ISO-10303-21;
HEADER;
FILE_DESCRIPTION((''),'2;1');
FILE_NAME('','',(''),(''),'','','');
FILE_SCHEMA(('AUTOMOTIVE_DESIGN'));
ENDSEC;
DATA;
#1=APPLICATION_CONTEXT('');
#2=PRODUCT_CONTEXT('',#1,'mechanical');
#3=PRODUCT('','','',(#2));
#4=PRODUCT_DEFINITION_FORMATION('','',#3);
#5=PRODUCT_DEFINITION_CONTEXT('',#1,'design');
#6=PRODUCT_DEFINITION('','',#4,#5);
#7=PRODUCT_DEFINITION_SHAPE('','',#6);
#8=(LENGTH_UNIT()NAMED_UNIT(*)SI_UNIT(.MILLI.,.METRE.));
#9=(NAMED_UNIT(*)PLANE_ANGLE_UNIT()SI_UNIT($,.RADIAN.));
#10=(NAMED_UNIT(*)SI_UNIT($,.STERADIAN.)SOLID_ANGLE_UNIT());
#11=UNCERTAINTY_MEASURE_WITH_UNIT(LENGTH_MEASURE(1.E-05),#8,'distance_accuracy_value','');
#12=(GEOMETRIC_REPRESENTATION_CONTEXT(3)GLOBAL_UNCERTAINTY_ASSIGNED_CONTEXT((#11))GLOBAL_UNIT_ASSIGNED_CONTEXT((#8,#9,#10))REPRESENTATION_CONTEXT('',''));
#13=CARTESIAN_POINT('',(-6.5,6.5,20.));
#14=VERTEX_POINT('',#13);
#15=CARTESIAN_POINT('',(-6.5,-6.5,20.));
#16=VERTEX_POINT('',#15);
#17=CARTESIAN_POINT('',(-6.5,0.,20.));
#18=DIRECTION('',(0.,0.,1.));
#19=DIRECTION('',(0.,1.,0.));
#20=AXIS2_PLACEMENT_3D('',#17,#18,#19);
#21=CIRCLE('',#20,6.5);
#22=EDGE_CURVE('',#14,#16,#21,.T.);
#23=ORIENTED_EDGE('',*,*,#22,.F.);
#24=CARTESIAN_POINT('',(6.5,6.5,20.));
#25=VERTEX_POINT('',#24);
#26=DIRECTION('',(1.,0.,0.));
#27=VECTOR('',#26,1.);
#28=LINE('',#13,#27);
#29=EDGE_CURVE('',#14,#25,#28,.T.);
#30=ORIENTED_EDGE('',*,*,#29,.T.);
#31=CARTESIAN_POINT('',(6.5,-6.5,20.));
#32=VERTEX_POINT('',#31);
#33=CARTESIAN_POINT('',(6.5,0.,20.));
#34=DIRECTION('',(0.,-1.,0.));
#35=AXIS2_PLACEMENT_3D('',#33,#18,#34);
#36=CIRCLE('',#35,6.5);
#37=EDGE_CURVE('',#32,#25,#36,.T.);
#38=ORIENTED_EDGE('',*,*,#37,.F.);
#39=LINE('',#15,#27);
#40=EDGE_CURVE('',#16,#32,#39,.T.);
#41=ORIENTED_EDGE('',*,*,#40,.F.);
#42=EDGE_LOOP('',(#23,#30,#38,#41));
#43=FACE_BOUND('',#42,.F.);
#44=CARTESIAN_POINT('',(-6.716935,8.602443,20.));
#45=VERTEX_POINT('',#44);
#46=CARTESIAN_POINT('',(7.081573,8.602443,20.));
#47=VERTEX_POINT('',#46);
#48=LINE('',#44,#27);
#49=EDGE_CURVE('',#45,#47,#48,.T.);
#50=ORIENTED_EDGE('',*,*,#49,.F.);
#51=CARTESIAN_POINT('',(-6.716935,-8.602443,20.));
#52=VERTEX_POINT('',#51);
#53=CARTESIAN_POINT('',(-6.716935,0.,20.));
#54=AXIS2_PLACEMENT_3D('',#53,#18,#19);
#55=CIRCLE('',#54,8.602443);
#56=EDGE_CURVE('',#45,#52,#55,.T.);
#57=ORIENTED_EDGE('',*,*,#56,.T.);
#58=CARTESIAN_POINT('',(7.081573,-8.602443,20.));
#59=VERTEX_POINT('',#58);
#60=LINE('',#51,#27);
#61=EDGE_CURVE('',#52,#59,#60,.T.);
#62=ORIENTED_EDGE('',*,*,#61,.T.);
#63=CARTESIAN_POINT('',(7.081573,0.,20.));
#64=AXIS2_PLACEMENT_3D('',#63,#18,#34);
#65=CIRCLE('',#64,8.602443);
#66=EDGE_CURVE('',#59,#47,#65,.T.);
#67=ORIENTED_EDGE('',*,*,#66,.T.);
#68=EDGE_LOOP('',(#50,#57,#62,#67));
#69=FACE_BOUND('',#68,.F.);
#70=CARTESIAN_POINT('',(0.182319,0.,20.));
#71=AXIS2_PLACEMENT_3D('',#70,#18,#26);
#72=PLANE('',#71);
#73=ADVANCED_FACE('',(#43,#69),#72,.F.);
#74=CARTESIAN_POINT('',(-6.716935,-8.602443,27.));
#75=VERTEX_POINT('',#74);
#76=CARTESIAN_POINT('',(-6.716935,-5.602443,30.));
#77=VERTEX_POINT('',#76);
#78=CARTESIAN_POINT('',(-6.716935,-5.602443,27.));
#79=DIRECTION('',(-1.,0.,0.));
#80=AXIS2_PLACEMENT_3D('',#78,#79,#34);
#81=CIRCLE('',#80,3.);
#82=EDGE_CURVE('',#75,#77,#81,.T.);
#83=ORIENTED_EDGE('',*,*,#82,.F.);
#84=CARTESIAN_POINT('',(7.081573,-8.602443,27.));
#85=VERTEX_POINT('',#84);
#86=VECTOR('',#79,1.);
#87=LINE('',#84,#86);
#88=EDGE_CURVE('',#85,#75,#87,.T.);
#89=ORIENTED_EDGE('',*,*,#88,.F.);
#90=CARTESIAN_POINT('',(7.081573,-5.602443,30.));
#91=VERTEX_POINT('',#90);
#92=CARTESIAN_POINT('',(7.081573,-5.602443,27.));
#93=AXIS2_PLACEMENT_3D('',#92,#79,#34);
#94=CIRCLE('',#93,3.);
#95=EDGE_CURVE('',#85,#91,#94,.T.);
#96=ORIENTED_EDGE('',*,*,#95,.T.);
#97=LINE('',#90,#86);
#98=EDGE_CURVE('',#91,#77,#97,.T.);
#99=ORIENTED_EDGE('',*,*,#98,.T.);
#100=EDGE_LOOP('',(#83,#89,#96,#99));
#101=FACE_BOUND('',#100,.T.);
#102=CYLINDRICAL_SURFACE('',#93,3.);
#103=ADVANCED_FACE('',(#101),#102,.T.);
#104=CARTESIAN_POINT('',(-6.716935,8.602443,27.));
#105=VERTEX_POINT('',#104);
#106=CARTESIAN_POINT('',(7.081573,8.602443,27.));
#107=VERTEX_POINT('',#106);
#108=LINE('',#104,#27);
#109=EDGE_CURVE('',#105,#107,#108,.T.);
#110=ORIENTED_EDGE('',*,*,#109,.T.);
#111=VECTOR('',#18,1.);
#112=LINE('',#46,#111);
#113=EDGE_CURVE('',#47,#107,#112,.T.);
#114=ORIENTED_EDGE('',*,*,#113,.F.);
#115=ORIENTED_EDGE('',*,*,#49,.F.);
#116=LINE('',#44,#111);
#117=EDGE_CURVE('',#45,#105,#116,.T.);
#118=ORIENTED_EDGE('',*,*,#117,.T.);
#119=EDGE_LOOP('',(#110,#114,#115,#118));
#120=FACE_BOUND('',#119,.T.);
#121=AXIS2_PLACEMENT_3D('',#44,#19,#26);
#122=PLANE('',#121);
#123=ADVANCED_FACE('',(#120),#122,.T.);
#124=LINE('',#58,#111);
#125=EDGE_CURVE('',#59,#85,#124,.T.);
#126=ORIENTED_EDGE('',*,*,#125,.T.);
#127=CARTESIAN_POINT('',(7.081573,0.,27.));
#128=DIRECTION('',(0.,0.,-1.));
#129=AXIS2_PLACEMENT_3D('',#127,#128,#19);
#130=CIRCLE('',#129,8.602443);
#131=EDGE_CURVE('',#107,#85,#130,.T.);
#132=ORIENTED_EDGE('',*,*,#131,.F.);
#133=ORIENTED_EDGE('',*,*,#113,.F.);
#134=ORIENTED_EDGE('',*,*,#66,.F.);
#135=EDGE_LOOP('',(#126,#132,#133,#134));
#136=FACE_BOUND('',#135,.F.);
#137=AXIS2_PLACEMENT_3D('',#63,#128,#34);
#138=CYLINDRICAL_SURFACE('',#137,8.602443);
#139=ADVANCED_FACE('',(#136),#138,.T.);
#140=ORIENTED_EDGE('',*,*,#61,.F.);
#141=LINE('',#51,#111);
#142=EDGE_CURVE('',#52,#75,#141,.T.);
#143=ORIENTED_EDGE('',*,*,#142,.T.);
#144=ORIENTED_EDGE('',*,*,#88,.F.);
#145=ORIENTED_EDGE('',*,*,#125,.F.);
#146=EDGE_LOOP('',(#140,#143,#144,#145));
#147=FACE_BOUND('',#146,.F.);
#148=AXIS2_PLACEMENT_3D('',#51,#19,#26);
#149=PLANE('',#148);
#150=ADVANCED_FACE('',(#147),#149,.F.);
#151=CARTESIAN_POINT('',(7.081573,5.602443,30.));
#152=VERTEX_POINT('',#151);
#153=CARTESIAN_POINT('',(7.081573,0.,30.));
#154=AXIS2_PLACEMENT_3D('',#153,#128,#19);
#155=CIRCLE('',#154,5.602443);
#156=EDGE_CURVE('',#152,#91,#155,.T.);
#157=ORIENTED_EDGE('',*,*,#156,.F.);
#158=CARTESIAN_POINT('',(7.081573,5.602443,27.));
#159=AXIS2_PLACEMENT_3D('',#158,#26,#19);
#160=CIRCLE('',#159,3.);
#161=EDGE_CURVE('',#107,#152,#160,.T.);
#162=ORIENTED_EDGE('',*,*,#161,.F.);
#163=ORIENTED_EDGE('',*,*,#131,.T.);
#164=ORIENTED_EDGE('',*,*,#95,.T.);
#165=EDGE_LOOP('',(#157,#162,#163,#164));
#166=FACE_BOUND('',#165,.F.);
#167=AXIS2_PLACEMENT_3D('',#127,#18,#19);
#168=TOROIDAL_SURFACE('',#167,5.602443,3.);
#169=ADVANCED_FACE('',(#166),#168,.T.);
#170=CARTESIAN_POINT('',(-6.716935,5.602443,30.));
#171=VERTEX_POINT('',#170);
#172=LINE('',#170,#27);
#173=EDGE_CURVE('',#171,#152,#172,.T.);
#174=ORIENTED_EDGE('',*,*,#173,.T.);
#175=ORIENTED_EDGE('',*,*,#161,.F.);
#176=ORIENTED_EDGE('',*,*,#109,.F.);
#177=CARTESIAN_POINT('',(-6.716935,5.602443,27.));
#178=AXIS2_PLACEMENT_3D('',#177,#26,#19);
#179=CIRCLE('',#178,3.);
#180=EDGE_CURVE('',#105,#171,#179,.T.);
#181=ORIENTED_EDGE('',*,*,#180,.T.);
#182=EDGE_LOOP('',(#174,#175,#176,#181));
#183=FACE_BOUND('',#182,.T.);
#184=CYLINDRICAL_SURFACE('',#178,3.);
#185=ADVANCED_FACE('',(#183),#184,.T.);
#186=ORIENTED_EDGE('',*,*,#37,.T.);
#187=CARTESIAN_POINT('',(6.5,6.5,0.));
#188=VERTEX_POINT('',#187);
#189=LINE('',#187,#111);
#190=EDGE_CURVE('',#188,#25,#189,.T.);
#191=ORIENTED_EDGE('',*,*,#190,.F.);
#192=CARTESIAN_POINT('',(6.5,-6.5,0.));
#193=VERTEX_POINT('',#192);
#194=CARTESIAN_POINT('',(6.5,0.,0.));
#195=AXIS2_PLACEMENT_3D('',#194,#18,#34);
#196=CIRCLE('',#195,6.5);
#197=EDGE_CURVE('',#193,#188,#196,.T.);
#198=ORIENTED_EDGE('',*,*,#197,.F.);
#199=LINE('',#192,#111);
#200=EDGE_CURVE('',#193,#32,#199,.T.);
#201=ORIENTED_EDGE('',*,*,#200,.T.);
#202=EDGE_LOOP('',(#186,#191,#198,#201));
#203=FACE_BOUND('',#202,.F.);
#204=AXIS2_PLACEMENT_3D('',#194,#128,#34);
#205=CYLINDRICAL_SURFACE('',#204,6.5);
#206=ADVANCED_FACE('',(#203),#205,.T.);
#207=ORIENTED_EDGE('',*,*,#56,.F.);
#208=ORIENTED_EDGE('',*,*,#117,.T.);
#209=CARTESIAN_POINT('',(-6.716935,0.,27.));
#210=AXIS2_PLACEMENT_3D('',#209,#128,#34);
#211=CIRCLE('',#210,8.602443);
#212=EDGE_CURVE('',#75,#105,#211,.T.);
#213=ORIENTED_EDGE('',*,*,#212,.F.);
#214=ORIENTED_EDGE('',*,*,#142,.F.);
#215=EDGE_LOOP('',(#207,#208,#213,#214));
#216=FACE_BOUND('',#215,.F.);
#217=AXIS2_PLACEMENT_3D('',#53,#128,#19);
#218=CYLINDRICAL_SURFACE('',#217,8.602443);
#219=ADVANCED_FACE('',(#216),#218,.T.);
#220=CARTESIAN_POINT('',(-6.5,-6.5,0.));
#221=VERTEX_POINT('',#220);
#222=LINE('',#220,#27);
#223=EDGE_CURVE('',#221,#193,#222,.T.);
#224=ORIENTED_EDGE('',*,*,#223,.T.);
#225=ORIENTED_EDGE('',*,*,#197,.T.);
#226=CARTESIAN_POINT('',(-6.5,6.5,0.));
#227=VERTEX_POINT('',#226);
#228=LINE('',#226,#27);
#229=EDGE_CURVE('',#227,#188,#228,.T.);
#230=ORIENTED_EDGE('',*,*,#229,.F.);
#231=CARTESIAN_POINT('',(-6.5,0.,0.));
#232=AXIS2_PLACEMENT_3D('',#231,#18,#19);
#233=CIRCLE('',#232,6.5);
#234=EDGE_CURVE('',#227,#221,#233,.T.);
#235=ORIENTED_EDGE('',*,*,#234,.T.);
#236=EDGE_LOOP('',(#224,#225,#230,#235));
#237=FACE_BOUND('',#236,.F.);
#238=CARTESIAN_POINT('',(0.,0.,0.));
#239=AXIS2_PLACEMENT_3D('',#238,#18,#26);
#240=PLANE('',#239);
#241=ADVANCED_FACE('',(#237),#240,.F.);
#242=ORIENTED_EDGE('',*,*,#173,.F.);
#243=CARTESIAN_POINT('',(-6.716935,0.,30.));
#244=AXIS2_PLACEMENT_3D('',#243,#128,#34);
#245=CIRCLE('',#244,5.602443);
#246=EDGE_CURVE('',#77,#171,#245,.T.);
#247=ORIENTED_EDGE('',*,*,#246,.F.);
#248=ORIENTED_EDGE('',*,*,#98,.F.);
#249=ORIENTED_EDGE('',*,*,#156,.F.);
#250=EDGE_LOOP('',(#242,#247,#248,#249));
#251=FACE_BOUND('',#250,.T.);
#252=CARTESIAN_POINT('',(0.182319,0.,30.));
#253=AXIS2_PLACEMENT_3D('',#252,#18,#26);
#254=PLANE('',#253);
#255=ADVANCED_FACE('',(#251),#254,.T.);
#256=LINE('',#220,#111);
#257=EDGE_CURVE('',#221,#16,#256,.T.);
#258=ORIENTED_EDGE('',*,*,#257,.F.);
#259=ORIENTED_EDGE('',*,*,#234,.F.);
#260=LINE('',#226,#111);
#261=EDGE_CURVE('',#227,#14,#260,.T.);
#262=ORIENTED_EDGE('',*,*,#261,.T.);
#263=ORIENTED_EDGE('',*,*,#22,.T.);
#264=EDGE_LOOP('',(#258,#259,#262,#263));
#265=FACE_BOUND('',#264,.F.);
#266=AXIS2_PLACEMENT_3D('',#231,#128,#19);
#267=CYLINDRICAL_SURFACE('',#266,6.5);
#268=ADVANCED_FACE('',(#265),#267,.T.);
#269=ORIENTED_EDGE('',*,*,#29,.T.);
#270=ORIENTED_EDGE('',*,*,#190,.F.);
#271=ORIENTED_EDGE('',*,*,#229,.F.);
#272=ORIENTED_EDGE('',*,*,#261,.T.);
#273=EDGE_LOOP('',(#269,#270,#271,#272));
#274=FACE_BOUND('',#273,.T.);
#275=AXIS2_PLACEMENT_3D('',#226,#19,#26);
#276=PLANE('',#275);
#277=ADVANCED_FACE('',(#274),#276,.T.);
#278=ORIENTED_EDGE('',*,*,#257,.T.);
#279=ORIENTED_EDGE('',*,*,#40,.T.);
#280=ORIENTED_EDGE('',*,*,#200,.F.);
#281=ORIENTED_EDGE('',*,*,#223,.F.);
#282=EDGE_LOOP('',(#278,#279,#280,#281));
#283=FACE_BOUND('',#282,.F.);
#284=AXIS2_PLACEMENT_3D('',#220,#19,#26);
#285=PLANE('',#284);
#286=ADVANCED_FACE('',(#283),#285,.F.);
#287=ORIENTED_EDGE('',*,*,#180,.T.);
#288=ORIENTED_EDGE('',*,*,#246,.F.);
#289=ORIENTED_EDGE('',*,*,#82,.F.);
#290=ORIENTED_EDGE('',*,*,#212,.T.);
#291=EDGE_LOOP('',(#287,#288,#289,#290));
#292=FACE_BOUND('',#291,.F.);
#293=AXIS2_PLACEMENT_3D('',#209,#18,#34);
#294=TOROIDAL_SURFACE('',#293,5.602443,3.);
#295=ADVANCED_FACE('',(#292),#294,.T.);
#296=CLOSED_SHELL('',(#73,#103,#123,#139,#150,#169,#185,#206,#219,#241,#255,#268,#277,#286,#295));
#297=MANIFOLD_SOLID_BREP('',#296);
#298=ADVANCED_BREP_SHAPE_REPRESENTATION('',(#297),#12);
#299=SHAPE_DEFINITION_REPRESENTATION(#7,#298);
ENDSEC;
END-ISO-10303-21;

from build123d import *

# Parameters (mm, degrees)
PAD_DEPTH    = 20
PAD001_DEPTH = 10
FILLET_R     = 3


with BuildPart() as part:
    # Sketch → Pad (new body)
    with BuildSketch(Plane.XY):
        with BuildLine():
            ThreePointArc((-6.5, 6.5), (-13, 0), (-6.5, -6.5))
            Line((-6.5, -6.5), (6.5, -6.5))
            ThreePointArc((6.5, -6.5), (13, 0), (6.5, 6.5))
            Line((-6.5, 6.5), (6.5, 6.5))
        make_face()
    extrude(amount=PAD_DEPTH)

    # Sketch001 (on Face6 of Pad) → Pad001 (join)
    with BuildSketch(Plane.XY.offset(20)):
        with BuildLine():
            ThreePointArc((-6.716935, 8.602443), (-15.319378, 0), (-6.716935, -8.602443))
            Line((-6.716935, -8.602443), (7.081573, -8.602443))
            ThreePointArc((7.081573, -8.602443), (15.684016, 0), (7.081573, 8.602443))
            Line((-6.716935, 8.602443), (7.081573, 8.602443))
        make_face()
    extrude(amount=PAD001_DEPTH)

    # Fillet
    fillet_edges = [part.edges().sort_by_distance(p)[0] for p in [
        (0.182319, 8.602443, 30),
        (-15.319378, 0, 30),
        (0.182319, -8.602443, 30),
        (15.684016, 0, 30),
    ]]
    fillet(fillet_edges, radius=FILLET_R)


solid = part.part
